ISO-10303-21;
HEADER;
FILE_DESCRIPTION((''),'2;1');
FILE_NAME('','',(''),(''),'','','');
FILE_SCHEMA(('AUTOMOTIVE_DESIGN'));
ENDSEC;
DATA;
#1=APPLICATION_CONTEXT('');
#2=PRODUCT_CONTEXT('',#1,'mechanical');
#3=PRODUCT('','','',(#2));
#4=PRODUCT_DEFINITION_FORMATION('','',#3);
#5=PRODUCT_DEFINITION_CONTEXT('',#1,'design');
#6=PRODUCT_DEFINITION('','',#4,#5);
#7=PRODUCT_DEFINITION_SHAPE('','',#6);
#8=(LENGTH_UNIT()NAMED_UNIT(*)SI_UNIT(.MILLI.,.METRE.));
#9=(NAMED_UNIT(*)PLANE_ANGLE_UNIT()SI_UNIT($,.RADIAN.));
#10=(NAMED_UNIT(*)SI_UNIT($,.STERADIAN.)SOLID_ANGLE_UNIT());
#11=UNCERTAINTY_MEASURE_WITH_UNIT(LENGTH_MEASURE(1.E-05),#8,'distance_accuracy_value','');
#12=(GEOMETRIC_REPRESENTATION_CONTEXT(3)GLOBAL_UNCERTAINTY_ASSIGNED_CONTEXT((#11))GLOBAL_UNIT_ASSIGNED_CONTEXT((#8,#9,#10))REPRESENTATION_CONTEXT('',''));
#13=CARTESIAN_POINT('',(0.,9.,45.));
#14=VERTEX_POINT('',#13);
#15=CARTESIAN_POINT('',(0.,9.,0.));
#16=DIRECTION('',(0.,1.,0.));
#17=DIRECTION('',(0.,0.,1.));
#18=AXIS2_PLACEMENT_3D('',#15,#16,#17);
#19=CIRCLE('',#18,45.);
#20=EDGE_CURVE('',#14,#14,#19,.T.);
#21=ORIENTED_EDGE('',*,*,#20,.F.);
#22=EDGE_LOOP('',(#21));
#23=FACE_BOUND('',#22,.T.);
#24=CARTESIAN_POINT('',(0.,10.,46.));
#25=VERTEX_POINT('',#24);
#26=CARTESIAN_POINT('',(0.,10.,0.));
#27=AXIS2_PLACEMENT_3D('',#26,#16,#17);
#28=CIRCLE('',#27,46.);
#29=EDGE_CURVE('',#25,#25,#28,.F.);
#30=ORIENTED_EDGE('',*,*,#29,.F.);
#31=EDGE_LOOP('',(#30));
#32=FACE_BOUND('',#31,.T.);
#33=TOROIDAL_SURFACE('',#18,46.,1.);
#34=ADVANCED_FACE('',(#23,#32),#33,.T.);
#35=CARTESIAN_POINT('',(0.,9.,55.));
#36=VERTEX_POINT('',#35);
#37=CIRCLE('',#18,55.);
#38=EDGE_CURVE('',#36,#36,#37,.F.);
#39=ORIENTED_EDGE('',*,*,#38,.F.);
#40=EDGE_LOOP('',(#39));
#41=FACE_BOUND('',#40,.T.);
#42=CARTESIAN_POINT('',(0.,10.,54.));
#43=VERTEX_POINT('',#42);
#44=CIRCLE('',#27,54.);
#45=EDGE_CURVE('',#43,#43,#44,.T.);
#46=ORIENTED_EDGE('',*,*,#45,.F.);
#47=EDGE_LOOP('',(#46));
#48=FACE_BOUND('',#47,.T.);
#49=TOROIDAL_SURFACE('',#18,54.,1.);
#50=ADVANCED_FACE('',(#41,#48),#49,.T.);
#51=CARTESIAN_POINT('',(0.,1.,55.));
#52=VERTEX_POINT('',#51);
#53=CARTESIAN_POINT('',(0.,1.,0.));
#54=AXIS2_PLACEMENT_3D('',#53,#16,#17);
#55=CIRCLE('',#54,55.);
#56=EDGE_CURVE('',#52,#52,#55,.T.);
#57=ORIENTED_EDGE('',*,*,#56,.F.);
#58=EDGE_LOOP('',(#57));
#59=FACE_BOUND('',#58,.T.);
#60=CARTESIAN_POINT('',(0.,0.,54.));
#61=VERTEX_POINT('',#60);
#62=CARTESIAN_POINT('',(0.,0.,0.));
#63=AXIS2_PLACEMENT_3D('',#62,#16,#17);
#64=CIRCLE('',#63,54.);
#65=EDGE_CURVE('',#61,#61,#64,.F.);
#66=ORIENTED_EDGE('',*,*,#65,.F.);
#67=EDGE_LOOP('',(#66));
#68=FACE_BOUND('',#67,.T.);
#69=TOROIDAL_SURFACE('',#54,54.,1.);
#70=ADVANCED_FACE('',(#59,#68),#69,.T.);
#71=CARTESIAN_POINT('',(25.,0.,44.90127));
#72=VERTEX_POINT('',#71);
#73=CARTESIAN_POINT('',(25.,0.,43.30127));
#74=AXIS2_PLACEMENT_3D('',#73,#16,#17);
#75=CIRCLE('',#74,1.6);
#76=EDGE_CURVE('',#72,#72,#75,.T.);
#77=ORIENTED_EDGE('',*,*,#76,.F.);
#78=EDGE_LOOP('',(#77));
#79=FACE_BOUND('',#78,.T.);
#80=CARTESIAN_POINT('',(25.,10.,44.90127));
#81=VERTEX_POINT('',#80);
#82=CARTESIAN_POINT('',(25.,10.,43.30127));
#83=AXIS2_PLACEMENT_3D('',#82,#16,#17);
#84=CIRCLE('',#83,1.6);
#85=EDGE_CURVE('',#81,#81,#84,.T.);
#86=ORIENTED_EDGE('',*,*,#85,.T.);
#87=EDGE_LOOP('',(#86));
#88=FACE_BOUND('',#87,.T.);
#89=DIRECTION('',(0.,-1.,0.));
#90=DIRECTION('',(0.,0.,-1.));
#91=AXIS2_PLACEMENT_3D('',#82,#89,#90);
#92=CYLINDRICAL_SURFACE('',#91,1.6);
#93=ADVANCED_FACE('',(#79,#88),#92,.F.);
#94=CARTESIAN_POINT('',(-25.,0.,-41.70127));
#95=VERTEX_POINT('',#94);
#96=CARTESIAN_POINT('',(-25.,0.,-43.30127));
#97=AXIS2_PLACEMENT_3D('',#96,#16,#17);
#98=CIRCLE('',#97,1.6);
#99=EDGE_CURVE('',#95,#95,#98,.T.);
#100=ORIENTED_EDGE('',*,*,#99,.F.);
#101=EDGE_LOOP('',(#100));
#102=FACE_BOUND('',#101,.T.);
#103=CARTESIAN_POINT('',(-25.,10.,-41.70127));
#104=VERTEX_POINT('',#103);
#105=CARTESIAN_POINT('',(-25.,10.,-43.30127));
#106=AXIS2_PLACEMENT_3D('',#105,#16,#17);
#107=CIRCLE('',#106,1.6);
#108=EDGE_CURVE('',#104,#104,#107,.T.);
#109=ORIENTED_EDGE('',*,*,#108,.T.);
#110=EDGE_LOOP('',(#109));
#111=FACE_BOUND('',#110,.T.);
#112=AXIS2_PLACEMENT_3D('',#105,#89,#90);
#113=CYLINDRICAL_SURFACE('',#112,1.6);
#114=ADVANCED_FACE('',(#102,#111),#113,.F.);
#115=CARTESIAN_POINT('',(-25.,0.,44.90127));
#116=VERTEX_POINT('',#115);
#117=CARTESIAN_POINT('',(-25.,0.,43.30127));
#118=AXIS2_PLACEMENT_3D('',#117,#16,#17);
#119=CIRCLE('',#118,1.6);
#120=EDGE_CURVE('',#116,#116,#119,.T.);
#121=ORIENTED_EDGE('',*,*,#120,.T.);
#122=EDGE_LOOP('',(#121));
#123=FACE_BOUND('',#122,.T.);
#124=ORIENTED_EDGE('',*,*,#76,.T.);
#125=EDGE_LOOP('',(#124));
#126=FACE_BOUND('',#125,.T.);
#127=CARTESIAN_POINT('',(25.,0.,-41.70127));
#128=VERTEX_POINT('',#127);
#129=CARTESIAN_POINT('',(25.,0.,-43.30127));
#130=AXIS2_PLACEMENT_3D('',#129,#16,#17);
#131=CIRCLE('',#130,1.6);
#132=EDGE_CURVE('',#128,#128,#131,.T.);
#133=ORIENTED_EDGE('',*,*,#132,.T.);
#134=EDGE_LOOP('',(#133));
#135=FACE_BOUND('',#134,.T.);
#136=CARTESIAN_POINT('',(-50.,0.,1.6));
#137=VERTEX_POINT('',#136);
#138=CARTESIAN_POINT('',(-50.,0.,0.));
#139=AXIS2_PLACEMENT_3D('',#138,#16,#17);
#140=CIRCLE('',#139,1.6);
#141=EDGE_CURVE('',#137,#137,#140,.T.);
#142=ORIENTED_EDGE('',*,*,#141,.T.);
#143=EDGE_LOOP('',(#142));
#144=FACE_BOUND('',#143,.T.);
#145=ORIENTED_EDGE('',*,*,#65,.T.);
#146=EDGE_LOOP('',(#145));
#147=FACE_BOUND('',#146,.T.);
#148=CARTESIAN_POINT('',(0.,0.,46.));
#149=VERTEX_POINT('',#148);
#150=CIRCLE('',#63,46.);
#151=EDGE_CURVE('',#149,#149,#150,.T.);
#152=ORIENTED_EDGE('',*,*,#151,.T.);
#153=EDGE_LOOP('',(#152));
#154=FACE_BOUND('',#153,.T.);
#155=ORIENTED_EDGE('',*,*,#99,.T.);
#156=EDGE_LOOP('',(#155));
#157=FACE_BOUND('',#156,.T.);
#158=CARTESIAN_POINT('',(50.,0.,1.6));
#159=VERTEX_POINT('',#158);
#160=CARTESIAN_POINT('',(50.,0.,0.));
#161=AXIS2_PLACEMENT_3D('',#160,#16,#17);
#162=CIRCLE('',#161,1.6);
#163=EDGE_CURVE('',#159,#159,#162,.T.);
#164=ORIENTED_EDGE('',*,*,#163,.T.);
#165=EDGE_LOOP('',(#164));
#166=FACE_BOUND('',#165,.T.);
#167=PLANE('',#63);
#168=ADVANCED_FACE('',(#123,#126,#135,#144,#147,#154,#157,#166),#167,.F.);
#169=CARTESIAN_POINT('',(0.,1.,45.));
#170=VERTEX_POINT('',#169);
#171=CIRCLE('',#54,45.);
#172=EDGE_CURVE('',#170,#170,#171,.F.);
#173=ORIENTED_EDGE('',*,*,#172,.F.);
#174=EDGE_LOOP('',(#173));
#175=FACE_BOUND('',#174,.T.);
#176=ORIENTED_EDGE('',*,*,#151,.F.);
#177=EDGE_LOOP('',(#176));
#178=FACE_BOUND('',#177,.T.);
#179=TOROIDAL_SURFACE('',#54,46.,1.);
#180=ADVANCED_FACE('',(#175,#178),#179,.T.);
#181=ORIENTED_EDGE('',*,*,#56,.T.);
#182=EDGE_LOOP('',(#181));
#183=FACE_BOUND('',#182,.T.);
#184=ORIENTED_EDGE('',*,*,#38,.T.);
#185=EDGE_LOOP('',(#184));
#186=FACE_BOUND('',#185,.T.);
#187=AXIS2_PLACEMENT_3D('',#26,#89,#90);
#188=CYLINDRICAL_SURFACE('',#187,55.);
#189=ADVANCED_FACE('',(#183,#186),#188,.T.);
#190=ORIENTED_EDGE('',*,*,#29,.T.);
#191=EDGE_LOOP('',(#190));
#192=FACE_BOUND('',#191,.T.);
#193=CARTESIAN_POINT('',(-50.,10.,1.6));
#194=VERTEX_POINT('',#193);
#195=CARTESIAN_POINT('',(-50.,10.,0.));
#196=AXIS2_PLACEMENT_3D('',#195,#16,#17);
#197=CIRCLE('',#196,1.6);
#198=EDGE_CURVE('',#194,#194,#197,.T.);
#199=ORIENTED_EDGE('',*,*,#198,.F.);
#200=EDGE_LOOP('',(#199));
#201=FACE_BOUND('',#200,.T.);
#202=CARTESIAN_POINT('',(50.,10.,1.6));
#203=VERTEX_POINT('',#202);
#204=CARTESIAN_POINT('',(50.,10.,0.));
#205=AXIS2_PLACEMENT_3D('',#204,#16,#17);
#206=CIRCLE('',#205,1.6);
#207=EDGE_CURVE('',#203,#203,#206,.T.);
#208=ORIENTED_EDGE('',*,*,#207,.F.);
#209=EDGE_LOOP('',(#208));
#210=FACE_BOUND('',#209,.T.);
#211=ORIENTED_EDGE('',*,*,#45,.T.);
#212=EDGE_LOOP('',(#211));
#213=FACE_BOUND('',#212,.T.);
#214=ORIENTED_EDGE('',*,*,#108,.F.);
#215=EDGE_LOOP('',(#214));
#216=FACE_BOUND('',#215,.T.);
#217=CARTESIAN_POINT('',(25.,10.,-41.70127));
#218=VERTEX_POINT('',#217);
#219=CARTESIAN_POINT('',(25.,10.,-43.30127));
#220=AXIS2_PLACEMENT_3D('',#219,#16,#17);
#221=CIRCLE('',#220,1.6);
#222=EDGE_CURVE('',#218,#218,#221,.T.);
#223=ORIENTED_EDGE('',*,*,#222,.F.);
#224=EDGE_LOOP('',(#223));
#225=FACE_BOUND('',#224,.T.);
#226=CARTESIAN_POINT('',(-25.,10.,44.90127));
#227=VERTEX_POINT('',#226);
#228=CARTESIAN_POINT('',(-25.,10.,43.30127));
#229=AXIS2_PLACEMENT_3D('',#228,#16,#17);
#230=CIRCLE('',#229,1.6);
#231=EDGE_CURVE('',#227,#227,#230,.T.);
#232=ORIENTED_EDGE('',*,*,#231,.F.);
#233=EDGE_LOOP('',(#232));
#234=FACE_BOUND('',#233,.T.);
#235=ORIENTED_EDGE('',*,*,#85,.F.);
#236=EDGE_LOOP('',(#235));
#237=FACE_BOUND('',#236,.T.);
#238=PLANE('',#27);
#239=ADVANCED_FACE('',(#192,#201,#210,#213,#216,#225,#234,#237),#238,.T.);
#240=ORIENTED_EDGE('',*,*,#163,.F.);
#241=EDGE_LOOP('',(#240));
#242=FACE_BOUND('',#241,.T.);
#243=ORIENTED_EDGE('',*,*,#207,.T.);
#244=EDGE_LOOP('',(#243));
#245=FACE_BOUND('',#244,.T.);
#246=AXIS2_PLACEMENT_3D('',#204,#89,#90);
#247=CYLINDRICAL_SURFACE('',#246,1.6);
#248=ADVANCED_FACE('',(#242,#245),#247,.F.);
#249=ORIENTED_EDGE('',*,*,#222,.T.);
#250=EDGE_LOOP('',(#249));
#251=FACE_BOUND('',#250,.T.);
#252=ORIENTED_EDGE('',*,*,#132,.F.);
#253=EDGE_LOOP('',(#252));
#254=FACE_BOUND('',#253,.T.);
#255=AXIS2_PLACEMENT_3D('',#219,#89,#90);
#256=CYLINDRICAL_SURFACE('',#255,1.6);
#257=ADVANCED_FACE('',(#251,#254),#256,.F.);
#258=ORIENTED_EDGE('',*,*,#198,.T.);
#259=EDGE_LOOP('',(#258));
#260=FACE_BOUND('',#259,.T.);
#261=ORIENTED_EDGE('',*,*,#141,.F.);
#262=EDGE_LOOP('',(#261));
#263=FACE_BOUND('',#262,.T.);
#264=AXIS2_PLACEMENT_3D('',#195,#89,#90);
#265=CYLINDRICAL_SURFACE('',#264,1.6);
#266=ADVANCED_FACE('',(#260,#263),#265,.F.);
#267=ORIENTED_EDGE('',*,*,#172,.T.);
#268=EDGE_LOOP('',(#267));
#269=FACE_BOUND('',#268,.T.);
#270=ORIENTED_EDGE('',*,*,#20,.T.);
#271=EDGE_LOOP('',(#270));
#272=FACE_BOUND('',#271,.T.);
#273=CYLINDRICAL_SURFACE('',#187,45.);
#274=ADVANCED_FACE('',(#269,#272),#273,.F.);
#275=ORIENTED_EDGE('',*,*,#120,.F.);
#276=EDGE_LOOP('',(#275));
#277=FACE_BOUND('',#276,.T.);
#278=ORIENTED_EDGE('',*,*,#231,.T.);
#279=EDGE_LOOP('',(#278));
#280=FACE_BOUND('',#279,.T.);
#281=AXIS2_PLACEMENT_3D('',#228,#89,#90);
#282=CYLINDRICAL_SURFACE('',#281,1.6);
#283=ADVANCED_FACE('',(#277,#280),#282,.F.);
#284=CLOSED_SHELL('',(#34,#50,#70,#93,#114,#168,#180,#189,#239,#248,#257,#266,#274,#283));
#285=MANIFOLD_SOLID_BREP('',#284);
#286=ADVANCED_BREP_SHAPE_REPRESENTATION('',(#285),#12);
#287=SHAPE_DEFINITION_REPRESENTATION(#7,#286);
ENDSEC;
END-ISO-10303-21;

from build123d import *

# Parameters (mm, degrees)
SKETCH_1_R      = 55
SKETCH_1_R_2    = 45
SKETCH_1_R_3    = 1.6
EXTRUDE_1_DEPTH = 10
FILLET_1_R      = 1


with BuildPart() as part:
    # 草图1 → 凸台-拉伸1 (new body)
    with BuildSketch(Plane(origin=(0, 0, 0), x_dir=(1, 0, 0), z_dir=(0, 1, 0))):
        with Locations(Location((0, 0, 0), (0, 0, 270))):
            Circle(SKETCH_1_R)
        with Locations(Location((0, 0, 0), (0, 0, 270))):
            Circle(SKETCH_1_R_2, mode=Mode.SUBTRACT)
        with Locations(Location((50, 0, 0), (0, 0, 270))):
            Circle(SKETCH_1_R_3, mode=Mode.SUBTRACT)
        with Locations(Location((25, -43.301270189, 0), (0, 0, 270))):
            Circle(SKETCH_1_R_3, mode=Mode.SUBTRACT)
        with Locations(Location((-25, -43.301270189, 0), (0, 0, 270))):
            Circle(SKETCH_1_R_3, mode=Mode.SUBTRACT)
        with Locations(Location((-50, 0, 0), (0, 0, 270))):
            Circle(SKETCH_1_R_3, mode=Mode.SUBTRACT)
        with Locations(Location((-25, 43.301270189, 0), (0, 0, 270))):
            Circle(SKETCH_1_R_3, mode=Mode.SUBTRACT)
        with Locations(Location((25, 43.301270189, 0), (0, 0, 270))):
            Circle(SKETCH_1_R_3, mode=Mode.SUBTRACT)
    extrude(amount=EXTRUDE_1_DEPTH)

    # 圆角1
    fillet_1_edges = [part.edges().sort_by_distance(p)[0] for p in [
        (0, 0, -55),
        (0, 10, -55),
        (0, 0, -45),
        (0, 10, -45),
    ]]
    fillet(fillet_1_edges, radius=FILLET_1_R)


solid = part.part
